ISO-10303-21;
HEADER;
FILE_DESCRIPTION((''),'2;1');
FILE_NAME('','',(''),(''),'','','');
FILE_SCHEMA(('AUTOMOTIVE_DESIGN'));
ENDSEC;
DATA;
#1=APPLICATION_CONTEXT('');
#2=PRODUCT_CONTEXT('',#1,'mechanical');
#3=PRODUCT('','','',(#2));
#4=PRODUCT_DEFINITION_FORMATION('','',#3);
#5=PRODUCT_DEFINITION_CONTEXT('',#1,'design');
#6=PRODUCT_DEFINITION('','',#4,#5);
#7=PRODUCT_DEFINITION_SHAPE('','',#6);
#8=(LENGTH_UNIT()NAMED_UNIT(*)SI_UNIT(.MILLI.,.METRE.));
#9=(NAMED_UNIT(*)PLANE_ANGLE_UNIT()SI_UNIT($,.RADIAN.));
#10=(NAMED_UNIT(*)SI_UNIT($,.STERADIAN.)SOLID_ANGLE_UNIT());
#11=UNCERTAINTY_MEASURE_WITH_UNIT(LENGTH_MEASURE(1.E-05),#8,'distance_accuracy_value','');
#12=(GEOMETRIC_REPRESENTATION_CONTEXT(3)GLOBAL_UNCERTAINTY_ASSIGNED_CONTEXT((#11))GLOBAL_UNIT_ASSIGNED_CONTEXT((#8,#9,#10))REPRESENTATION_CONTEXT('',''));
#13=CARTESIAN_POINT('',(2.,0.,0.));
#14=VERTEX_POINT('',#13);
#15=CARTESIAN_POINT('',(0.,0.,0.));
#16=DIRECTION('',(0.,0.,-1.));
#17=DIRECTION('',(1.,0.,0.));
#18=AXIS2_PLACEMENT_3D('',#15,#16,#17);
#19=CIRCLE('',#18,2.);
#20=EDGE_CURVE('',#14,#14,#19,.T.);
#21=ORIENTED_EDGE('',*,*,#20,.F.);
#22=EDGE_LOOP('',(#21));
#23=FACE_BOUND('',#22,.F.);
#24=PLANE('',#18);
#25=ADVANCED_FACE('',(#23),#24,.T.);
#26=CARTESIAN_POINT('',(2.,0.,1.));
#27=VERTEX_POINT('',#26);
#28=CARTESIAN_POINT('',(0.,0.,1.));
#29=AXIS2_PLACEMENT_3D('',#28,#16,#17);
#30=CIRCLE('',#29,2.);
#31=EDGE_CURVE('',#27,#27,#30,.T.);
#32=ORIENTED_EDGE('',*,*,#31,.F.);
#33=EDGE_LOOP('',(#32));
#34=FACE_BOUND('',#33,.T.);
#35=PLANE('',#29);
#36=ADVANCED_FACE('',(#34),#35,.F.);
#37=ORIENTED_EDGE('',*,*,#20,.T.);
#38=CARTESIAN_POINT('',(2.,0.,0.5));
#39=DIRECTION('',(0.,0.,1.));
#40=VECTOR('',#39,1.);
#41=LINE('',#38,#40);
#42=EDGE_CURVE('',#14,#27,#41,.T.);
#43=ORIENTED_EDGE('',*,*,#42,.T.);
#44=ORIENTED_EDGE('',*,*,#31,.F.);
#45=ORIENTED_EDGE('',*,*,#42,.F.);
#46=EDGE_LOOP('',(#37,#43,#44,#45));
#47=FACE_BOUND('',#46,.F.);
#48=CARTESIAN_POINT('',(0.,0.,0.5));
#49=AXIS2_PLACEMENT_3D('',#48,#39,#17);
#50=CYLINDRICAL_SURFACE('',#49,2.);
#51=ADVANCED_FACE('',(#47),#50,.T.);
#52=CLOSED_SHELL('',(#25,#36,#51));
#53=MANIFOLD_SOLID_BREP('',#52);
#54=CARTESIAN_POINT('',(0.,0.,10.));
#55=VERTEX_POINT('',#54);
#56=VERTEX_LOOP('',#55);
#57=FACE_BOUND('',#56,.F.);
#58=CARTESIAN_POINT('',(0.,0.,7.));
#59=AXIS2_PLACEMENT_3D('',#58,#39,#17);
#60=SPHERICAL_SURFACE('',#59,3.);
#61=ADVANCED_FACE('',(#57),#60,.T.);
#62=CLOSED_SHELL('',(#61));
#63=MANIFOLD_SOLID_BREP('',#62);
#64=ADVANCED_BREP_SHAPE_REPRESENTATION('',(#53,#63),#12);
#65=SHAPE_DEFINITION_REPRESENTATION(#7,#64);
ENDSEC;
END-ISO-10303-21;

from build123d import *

# Parameters (mm, degrees)
F0_W = 2
F0_H = 1


with BuildPart() as f1:
    # F0 (on Front) → F1 (revolve)
    with BuildSketch(Plane.XZ):
        with BuildLine():
            Line((0, 10), (0, 4))
            ThreePointArc((0, 4), (3, 7), (0, 10))
        make_face()
        with Locations((1, 0.5)):
            Rectangle(F0_W, F0_H)
    revolve(axis=Axis((0, 0, 7), (0, 0, -1)))


solid = f1.part
